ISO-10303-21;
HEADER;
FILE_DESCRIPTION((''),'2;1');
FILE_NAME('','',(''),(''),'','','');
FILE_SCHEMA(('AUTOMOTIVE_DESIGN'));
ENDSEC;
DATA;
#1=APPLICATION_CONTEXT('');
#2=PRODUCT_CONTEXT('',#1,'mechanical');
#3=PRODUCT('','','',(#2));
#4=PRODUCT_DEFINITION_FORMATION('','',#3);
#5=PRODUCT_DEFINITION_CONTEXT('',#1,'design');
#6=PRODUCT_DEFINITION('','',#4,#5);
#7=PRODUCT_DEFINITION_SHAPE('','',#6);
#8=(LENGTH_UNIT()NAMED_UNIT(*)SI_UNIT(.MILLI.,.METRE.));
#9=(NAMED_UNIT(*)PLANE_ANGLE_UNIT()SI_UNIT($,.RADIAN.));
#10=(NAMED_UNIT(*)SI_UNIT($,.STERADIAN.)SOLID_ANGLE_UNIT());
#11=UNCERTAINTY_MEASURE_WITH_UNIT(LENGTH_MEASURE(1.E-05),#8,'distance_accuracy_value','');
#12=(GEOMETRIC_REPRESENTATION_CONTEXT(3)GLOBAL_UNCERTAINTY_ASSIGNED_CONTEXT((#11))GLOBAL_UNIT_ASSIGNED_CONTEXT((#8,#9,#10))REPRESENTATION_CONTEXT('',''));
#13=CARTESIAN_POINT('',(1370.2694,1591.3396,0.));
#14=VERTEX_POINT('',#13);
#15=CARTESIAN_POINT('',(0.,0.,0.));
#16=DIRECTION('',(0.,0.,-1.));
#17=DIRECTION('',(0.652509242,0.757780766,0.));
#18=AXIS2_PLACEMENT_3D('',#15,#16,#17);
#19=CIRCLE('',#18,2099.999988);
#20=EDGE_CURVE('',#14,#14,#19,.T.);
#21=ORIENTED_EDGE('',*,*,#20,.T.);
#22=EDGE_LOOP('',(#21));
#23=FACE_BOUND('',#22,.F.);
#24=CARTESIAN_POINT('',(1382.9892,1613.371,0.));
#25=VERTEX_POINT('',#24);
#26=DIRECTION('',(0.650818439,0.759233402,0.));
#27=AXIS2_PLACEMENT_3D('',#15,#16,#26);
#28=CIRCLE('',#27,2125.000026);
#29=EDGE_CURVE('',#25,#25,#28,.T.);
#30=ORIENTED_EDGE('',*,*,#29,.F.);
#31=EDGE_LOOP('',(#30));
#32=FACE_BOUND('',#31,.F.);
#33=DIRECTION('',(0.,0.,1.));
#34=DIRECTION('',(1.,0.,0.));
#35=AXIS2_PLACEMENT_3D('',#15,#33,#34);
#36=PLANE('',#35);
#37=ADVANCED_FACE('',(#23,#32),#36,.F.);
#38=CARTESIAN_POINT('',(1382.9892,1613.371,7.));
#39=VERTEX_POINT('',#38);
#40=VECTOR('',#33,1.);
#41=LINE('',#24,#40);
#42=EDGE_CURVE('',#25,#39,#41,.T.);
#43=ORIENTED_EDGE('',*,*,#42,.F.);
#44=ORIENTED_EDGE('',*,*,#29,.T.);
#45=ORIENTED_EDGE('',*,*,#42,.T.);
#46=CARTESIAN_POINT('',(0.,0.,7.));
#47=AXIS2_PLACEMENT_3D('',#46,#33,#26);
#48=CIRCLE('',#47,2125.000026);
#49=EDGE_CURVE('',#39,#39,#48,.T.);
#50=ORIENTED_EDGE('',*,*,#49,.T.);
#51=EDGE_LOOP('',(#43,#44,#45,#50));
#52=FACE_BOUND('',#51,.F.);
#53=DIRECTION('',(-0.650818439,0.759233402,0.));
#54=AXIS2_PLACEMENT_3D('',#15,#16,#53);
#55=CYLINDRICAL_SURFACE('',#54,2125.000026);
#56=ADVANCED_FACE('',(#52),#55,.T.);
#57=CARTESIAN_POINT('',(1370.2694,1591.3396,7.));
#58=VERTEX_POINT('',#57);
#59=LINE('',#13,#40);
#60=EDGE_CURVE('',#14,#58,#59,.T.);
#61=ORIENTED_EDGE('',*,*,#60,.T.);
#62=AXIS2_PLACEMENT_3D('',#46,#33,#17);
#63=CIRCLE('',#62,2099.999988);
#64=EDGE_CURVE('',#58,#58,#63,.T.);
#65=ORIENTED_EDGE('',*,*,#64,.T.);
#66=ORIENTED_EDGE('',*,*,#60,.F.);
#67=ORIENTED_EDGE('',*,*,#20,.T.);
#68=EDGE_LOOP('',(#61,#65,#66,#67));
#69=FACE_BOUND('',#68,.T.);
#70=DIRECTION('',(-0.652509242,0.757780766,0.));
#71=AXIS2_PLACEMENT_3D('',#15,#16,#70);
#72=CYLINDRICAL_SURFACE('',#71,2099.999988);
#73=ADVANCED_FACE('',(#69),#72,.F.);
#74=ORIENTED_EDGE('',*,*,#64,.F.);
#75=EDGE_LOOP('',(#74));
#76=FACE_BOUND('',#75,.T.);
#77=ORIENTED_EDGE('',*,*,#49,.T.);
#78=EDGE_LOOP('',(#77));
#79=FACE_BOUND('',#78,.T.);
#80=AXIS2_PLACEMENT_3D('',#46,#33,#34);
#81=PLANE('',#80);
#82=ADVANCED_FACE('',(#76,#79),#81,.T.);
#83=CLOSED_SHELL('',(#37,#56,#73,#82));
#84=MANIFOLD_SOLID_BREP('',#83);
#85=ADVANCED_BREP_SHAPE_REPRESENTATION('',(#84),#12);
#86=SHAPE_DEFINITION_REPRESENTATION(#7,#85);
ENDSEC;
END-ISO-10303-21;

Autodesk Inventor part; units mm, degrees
ref_plane "YZ Plane" through (0, 0, 0) normal (1, 0, 0) x (0, 1, 0)
ref_plane "XZ Plane" through (0, 0, 0) normal (0, 1, 0) x (-1, 0, 0)
ref_plane "XY Plane" through (0, 0, 0) normal (0, 0, 1) x (1, 0, 0)
sketch "Sketch1" plane through (0, 0, 0) normal (0, 0, 1) x (1, 0, 0)
  arc A0 (-1382.9892, 1613.371) -> (1382.9892, 1613.371) centre (0, 0) ccw
  arc A1 (-1370.2694, 1591.3396) -> (1370.2694, 1591.3396) centre (0, 0) ccw
  line L0 (-1370.2694, 1591.3396) -> (-1382.9892, 1613.371)
  line L1 (-1370.2694, 1591.3396) -> (-1344.8298, 1591.3396) construction
  line L2 (1370.2694, 1591.3396) -> (1382.9892, 1613.371)
  line L3 (1370.2694, 1591.3396) -> (1395.709, 1591.3396) construction
  arc A2 (1382.9892, 1613.371) -> (-1382.9892, 1613.371) centre (0, 0) ccw
  arc A3 (1370.2694, 1591.3396) -> (-1370.2694, 1591.3396) centre (0, 0) ccw
  dimension "d0" = 4250
  dimension "d1" = 4200
  dimension "d3" = 120
  dimension "d4" = 60
extrude "Extrusion1" add sketch "Sketch1" along normal blind 7 contours L0 A1 L2 A0 | A2 L2 A3 L0
properties part number "Support Ring" material "Aluminum 6061"
